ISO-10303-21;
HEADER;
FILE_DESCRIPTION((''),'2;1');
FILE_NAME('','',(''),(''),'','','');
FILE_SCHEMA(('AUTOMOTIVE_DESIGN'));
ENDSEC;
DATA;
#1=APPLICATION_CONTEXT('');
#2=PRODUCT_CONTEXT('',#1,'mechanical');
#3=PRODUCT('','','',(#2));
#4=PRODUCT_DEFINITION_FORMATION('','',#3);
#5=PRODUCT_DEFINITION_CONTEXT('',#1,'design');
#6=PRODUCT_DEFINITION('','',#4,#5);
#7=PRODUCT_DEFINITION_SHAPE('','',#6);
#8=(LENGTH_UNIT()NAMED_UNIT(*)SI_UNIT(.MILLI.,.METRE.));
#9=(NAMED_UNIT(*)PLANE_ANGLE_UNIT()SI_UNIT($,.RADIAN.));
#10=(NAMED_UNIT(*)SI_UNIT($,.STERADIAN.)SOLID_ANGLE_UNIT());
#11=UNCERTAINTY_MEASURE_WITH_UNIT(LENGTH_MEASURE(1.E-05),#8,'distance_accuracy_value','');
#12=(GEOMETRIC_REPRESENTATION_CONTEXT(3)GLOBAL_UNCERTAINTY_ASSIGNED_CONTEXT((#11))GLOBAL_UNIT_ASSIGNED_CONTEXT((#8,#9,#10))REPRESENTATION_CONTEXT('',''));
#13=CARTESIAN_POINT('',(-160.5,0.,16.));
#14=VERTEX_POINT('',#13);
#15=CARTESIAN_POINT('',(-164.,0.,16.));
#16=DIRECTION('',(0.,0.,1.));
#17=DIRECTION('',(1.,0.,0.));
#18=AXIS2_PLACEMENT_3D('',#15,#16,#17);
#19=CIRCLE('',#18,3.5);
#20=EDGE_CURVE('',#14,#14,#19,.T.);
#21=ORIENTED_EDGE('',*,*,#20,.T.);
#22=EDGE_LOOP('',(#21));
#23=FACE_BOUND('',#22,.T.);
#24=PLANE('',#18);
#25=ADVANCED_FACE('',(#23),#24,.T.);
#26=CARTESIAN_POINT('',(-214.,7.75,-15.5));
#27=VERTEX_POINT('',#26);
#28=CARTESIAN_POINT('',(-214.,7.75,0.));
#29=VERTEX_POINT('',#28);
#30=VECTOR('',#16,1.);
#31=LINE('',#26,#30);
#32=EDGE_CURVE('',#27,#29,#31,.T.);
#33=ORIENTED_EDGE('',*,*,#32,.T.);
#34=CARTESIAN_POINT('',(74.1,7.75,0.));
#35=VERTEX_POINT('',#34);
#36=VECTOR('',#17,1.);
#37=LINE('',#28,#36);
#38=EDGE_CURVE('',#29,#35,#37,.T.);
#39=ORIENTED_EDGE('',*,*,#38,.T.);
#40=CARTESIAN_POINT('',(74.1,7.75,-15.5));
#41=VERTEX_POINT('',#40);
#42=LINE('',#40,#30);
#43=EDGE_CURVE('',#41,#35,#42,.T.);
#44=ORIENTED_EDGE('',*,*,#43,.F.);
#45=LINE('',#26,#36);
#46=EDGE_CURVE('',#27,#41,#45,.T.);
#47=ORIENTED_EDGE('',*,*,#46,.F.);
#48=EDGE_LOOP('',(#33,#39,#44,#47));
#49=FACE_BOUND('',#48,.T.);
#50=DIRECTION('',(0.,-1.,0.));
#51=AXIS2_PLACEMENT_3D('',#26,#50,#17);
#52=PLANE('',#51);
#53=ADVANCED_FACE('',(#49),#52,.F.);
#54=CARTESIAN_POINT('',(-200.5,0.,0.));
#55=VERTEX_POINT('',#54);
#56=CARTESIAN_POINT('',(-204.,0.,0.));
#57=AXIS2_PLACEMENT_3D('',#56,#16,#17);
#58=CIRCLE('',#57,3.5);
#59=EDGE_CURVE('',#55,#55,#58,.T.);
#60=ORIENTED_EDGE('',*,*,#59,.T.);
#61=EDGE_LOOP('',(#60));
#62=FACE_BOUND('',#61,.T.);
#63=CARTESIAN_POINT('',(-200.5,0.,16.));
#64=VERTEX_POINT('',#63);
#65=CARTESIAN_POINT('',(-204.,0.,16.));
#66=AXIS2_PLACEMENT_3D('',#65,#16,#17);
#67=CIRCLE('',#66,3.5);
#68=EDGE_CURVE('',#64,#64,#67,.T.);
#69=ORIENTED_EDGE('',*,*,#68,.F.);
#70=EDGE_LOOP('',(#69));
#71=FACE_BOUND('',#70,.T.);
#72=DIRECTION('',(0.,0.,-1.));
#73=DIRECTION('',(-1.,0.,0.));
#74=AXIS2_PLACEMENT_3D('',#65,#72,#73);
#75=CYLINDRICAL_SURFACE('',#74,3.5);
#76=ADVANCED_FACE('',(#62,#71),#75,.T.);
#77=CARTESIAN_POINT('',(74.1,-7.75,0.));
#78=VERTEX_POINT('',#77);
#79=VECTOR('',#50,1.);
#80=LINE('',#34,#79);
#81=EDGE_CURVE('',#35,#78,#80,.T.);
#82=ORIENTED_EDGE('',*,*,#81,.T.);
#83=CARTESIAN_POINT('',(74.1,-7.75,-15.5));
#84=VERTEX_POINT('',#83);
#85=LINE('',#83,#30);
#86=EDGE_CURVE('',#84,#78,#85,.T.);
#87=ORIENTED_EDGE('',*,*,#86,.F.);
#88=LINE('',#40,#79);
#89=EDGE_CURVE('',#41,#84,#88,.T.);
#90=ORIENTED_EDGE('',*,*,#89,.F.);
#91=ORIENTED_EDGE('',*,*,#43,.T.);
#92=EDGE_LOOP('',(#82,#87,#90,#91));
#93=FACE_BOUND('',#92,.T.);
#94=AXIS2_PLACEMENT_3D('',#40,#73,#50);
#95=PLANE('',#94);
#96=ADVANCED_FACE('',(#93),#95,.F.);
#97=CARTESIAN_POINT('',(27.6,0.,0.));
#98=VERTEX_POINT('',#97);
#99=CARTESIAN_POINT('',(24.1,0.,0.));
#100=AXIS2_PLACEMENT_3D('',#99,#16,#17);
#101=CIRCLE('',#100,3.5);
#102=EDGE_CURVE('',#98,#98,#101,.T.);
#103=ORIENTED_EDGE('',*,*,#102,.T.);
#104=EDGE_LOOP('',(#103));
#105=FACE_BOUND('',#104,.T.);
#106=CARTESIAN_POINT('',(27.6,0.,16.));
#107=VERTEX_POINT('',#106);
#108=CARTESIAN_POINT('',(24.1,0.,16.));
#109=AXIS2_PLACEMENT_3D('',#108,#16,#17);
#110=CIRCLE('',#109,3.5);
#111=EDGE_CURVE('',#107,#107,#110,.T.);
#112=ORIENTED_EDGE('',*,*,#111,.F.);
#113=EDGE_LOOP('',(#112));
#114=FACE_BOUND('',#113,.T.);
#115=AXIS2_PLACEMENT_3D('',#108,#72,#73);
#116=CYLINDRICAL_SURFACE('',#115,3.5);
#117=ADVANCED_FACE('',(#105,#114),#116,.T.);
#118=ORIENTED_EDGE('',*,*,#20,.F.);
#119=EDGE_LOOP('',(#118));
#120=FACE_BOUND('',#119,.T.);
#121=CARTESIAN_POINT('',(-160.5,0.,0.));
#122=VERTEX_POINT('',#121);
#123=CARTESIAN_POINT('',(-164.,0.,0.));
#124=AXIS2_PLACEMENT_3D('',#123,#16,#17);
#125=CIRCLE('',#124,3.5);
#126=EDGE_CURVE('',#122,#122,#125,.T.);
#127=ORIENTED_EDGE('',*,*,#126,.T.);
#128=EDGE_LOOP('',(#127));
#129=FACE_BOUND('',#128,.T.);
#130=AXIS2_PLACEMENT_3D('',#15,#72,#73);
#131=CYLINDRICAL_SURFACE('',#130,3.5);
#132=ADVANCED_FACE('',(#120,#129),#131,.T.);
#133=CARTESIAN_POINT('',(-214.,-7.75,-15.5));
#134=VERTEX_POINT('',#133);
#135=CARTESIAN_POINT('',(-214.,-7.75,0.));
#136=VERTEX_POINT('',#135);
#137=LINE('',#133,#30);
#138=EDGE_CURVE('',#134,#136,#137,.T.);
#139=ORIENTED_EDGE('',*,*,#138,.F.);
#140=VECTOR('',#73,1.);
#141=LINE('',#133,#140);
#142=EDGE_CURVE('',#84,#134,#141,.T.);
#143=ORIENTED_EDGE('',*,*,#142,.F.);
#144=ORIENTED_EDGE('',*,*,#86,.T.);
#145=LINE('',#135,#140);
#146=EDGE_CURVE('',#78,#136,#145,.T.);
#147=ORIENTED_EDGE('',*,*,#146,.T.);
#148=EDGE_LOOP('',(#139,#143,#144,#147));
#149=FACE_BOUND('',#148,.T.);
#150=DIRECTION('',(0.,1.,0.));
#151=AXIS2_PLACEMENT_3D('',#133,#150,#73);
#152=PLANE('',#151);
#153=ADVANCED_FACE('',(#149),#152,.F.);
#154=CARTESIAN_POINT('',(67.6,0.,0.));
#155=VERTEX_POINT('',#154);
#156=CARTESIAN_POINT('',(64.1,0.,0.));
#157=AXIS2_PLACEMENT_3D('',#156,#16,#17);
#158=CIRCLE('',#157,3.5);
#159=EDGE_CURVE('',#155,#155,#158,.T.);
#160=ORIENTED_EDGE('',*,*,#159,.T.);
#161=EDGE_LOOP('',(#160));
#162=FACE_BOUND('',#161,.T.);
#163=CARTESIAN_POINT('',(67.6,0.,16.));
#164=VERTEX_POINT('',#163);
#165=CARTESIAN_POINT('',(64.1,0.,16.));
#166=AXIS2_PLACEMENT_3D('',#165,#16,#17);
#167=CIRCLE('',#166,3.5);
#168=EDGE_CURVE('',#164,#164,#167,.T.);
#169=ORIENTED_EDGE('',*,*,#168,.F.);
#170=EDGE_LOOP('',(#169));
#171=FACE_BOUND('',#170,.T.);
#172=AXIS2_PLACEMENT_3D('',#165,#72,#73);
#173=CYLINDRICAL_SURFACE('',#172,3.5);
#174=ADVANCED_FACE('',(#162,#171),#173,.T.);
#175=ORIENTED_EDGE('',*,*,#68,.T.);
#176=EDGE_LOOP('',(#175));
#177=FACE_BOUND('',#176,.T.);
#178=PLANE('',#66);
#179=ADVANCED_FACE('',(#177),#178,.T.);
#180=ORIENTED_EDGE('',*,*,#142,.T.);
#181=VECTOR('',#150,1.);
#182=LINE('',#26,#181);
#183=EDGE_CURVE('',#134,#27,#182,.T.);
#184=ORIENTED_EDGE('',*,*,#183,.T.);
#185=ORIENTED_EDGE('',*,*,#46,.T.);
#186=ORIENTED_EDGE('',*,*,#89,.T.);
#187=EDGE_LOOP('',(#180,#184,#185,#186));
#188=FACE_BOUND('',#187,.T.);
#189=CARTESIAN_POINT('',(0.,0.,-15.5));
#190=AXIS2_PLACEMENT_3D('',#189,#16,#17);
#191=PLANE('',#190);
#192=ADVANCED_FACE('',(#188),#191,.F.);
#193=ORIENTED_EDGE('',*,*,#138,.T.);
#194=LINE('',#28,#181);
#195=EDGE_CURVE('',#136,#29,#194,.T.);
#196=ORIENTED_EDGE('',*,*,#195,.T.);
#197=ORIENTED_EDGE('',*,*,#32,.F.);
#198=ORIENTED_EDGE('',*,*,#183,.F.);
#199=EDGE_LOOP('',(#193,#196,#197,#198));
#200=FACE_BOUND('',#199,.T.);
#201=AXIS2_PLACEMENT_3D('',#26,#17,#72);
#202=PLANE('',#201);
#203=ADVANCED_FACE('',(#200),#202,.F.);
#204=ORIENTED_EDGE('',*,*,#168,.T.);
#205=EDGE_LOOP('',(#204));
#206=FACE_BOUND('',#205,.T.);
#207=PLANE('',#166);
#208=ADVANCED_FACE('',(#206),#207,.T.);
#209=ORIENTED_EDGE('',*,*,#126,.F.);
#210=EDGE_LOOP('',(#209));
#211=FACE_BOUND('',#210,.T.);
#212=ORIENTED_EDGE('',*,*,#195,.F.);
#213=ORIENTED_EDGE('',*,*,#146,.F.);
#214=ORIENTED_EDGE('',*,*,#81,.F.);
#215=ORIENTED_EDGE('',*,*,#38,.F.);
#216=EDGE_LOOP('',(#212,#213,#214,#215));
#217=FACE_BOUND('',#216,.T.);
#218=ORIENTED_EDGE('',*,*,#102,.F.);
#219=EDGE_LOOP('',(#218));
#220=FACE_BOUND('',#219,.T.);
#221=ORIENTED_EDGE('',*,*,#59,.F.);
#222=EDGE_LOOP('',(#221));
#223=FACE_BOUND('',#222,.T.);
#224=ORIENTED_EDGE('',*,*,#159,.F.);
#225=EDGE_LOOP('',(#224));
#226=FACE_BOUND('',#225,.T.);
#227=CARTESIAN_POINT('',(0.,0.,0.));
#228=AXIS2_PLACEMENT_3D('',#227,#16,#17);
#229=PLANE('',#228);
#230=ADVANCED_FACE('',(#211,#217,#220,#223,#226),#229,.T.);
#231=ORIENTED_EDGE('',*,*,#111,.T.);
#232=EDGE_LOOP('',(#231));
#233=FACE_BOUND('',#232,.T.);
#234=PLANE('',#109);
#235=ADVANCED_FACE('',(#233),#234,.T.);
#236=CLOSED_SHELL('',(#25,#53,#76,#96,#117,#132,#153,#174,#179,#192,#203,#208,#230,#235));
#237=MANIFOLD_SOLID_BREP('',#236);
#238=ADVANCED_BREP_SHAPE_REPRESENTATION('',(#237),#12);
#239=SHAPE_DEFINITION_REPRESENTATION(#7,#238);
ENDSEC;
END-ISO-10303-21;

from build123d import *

# Parameters (mm, degrees)
SKETCH_2_R        = 3.5
EXTRUDE_1_DEPTH   = 16
EXTRUDE_1_2_DEPTH = 16
EXTRUDE_1_3_DEPTH = 16
EXTRUDE_1_4_DEPTH = 16
SKETCH_3_W        = 288.1
SKETCH_3_H        = 15.5
EXTRUDE_2_DEPTH   = 15.5


with BuildPart() as part:
    # 草图2 → 凸台-拉伸1 (new body)
    with BuildSketch(Plane.XY):
        with Locations((-164, 0)):
            Circle(SKETCH_2_R)
    extrude(amount=EXTRUDE_1_DEPTH)



with BuildPart() as body_2:
    # 草图2 → Extrude 1 2 (new body)
    with BuildSketch(Plane.XY):
        with Locations((24.1, 0)):
            Circle(SKETCH_2_R)
    extrude(amount=EXTRUDE_1_2_DEPTH)


with BuildPart() as body_3:
    # 草图2 → Extrude 1 3 (new body)
    with BuildSketch(Plane.XY):
        with Locations((-204, 0)):
            Circle(SKETCH_2_R)
    extrude(amount=EXTRUDE_1_3_DEPTH)


with BuildPart() as body_4:
    # 草图2 → Extrude 1 4 (new body)
    with BuildSketch(Plane.XY):
        with Locations((64.1, 0)):
            Circle(SKETCH_2_R)
    extrude(amount=EXTRUDE_1_4_DEPTH)


with BuildPart() as part_1:
    add(part.part)

    add(body_2.part)  # 凸台-拉伸2 merges body 2

    add(body_3.part)  # 凸台-拉伸2 merges body 3

    add(body_4.part)  # 凸台-拉伸2 merges body 4
    # 草图3 → 凸台-拉伸2 (add)
    with BuildSketch(Plane(origin=(0, 0, 0), x_dir=(-1, 0, 0), z_dir=(0, 0, -1))):
        with Locations((69.95, 0)):
            Rectangle(SKETCH_3_W, SKETCH_3_H)
    extrude(amount=EXTRUDE_2_DEPTH)


solid = part_1.part
